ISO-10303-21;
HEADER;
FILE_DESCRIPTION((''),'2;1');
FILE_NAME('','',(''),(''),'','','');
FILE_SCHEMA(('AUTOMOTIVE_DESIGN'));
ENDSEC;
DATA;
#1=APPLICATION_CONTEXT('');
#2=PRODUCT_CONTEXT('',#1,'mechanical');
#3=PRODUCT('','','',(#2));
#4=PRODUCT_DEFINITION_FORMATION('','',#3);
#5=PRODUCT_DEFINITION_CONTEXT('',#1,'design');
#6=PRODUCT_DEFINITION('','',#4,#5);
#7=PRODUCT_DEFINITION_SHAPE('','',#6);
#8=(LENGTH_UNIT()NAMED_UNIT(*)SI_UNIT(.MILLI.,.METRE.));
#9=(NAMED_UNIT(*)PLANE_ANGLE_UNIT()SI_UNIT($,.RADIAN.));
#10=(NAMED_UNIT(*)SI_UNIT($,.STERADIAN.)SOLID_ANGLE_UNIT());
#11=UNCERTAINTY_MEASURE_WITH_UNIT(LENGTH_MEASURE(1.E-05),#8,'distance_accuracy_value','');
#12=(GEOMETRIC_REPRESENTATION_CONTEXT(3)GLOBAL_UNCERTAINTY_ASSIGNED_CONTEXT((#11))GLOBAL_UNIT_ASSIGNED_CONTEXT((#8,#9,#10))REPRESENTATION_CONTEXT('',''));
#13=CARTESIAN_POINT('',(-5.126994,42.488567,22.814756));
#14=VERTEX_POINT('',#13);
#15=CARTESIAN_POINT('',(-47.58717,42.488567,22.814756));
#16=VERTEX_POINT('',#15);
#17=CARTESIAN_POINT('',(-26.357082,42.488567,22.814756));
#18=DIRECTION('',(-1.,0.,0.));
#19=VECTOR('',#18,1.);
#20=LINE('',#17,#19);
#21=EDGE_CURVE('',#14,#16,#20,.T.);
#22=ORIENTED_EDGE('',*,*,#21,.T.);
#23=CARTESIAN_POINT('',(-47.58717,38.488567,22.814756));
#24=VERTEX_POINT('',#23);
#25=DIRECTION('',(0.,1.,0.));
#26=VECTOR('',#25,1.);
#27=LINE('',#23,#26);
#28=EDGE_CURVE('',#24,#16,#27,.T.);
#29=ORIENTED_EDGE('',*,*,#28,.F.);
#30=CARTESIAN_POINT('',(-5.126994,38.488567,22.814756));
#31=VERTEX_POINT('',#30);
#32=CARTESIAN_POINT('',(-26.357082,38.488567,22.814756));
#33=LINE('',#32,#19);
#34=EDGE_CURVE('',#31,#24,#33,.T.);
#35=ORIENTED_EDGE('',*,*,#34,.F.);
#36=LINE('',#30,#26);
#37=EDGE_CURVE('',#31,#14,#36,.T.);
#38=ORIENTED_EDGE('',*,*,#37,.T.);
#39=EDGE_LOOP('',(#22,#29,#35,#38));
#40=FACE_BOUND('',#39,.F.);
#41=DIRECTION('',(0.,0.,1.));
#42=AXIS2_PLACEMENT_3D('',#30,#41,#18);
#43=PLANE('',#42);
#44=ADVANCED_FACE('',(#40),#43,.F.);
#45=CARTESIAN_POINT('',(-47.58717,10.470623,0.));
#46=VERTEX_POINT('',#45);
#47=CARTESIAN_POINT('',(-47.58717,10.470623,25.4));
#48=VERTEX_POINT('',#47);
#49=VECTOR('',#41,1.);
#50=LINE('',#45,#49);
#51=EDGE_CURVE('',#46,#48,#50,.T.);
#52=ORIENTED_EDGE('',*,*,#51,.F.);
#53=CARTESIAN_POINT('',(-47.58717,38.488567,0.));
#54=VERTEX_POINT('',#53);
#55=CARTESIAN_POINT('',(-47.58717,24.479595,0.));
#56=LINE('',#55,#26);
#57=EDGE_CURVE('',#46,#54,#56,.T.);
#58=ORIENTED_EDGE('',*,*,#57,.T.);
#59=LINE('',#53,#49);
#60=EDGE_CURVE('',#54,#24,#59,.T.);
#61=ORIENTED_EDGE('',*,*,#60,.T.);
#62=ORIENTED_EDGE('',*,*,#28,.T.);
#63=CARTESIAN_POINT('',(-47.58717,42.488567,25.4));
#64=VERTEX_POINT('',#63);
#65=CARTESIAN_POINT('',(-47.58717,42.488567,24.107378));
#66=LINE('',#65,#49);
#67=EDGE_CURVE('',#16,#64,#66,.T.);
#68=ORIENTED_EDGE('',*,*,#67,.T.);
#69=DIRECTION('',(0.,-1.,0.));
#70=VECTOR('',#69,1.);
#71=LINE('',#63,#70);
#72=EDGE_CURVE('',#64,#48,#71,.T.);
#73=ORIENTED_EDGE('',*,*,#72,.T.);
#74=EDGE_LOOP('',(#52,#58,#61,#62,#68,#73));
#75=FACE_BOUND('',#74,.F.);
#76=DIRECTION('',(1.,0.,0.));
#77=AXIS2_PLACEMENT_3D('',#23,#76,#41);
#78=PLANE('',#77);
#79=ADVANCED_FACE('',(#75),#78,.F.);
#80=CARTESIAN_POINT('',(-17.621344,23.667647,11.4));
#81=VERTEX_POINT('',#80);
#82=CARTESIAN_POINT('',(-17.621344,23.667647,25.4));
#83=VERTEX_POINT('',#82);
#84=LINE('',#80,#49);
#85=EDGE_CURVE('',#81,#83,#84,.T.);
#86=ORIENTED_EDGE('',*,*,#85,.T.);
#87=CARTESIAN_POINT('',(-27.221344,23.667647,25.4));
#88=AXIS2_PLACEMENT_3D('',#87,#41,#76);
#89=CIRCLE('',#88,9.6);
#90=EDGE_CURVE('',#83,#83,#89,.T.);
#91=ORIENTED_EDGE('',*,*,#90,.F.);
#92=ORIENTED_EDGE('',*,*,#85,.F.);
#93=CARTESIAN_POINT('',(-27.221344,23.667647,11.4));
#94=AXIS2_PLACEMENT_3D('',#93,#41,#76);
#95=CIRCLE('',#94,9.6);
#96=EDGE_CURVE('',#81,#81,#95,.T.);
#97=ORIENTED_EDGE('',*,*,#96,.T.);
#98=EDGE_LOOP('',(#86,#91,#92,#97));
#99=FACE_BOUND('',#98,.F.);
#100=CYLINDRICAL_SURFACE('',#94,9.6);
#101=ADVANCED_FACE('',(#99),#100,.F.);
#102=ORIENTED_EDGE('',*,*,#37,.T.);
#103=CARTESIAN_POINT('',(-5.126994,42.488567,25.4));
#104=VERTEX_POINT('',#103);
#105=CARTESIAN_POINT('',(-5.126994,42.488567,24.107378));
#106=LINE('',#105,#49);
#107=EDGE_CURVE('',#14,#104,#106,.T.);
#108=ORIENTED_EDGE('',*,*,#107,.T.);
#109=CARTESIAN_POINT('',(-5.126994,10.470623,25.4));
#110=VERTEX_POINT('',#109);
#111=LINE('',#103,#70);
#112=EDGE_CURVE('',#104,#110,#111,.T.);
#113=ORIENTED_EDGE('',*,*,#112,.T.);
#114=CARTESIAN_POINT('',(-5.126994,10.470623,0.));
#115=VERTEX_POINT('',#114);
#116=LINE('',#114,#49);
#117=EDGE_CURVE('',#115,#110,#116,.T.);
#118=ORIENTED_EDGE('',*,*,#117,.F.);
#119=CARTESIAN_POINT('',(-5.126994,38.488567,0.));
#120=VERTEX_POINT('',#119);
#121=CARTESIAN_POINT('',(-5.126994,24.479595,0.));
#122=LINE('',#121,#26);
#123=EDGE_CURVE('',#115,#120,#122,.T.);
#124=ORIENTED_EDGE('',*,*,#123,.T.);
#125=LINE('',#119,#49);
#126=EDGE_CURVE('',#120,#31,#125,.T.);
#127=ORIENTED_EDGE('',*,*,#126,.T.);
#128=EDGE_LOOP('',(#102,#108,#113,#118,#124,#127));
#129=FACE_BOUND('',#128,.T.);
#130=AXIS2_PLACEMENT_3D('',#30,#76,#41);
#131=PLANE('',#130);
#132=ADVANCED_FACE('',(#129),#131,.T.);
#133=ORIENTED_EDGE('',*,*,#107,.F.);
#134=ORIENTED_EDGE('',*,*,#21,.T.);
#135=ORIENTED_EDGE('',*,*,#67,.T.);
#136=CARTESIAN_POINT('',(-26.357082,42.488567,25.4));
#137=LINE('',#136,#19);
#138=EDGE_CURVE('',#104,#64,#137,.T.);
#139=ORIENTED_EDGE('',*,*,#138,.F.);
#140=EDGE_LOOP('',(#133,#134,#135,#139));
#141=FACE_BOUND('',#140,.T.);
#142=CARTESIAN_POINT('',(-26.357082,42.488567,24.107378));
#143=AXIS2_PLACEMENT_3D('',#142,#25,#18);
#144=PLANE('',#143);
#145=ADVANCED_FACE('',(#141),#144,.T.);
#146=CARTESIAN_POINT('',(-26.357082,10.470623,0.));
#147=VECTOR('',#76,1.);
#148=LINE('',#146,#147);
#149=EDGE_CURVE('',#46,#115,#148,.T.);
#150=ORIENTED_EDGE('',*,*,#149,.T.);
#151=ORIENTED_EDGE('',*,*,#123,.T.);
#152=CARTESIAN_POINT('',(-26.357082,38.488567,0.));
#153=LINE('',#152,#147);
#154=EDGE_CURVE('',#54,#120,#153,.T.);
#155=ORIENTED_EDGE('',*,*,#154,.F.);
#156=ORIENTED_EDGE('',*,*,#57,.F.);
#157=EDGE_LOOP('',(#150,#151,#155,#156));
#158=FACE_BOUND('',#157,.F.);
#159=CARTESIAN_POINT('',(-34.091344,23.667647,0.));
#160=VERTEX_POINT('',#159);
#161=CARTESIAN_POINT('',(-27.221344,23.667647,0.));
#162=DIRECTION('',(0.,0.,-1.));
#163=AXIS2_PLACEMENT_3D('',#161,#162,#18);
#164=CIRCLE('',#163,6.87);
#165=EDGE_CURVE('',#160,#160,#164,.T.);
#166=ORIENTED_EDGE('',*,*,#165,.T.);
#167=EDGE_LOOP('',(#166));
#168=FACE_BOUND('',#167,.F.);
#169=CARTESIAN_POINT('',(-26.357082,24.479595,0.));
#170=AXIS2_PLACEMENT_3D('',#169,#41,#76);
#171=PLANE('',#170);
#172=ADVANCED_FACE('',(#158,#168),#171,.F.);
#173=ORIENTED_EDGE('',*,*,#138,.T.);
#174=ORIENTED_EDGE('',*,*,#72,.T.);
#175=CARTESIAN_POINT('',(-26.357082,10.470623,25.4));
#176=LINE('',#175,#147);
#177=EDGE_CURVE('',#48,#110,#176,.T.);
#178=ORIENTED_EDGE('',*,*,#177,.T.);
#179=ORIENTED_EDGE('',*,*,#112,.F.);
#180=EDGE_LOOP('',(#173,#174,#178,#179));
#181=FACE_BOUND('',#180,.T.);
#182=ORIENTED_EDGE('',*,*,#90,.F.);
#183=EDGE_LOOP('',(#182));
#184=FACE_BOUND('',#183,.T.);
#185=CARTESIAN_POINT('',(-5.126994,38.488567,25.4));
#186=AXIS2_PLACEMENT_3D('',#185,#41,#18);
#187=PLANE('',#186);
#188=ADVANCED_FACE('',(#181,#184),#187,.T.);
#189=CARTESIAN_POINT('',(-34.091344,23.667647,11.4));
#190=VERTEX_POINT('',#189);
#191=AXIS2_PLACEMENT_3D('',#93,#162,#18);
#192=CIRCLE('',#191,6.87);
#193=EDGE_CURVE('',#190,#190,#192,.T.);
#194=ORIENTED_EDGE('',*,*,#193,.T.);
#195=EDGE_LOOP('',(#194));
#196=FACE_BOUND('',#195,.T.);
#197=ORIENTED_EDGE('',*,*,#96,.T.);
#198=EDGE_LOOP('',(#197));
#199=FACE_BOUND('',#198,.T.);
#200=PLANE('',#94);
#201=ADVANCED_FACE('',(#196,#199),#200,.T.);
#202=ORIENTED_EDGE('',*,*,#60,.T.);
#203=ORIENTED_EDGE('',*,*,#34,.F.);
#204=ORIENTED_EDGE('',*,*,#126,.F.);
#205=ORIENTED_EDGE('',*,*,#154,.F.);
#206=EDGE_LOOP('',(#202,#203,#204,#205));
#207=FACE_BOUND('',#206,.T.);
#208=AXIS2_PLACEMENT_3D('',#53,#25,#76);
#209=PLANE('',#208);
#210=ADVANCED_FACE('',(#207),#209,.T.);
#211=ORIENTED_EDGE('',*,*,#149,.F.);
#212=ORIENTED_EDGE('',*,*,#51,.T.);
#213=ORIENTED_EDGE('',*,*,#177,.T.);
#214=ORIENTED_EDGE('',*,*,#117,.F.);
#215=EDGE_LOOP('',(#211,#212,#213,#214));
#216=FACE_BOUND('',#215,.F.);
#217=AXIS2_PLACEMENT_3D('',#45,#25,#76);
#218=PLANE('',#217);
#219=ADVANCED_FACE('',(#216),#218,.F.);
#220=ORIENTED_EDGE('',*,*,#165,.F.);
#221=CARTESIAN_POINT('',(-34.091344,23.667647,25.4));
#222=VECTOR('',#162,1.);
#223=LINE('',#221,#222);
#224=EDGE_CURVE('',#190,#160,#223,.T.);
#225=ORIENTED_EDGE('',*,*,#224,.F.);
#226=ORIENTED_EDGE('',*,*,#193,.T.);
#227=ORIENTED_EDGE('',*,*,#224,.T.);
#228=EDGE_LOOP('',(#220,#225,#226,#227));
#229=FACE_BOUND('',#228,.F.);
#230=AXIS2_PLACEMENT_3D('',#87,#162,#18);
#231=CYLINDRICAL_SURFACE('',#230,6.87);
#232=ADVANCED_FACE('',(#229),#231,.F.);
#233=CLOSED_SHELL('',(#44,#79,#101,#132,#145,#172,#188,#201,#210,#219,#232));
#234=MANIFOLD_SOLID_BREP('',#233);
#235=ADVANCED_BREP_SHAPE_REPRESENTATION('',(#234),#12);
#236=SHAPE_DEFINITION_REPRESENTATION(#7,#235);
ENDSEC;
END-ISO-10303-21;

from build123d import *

# Parameters (mm, degrees)
F0_W           = 42.460177
F0_H           = 28.017944
F1_DEPTH       = 25.4
F3_D           = 13.74
F3_CBORE_D     = 19.2
F3_CBORE_DEPTH = 14
F4_W           = 42.460177
F4_H           = 2.585244
F5_DEPTH       = 4


with BuildPart() as f1:
    # F0 (on Top) → F1 (new body)
    with BuildSketch(Plane.XY):
        with Locations((-26.357082, 24.479595)):
            Rectangle(F0_W, F0_H)
    extrude(amount=F1_DEPTH)

    # F3 (through all)
    with Locations(Plane.XY.offset(25.4)):
        with Locations((-27.221344, 23.667647)):
            CounterBoreHole(F3_D / 2, F3_CBORE_D / 2, F3_CBORE_DEPTH)

    # F4 (on face) → F5 (join)
    with BuildSketch(Plane(origin=(0, 38.488567, 0), x_dir=(-1, 0, 0), z_dir=(0, 1, 0))):
        with Locations((26.357082, 24.107378)):
            Rectangle(F4_W, F4_H)
    extrude(amount=F5_DEPTH)


solid = f1.part
